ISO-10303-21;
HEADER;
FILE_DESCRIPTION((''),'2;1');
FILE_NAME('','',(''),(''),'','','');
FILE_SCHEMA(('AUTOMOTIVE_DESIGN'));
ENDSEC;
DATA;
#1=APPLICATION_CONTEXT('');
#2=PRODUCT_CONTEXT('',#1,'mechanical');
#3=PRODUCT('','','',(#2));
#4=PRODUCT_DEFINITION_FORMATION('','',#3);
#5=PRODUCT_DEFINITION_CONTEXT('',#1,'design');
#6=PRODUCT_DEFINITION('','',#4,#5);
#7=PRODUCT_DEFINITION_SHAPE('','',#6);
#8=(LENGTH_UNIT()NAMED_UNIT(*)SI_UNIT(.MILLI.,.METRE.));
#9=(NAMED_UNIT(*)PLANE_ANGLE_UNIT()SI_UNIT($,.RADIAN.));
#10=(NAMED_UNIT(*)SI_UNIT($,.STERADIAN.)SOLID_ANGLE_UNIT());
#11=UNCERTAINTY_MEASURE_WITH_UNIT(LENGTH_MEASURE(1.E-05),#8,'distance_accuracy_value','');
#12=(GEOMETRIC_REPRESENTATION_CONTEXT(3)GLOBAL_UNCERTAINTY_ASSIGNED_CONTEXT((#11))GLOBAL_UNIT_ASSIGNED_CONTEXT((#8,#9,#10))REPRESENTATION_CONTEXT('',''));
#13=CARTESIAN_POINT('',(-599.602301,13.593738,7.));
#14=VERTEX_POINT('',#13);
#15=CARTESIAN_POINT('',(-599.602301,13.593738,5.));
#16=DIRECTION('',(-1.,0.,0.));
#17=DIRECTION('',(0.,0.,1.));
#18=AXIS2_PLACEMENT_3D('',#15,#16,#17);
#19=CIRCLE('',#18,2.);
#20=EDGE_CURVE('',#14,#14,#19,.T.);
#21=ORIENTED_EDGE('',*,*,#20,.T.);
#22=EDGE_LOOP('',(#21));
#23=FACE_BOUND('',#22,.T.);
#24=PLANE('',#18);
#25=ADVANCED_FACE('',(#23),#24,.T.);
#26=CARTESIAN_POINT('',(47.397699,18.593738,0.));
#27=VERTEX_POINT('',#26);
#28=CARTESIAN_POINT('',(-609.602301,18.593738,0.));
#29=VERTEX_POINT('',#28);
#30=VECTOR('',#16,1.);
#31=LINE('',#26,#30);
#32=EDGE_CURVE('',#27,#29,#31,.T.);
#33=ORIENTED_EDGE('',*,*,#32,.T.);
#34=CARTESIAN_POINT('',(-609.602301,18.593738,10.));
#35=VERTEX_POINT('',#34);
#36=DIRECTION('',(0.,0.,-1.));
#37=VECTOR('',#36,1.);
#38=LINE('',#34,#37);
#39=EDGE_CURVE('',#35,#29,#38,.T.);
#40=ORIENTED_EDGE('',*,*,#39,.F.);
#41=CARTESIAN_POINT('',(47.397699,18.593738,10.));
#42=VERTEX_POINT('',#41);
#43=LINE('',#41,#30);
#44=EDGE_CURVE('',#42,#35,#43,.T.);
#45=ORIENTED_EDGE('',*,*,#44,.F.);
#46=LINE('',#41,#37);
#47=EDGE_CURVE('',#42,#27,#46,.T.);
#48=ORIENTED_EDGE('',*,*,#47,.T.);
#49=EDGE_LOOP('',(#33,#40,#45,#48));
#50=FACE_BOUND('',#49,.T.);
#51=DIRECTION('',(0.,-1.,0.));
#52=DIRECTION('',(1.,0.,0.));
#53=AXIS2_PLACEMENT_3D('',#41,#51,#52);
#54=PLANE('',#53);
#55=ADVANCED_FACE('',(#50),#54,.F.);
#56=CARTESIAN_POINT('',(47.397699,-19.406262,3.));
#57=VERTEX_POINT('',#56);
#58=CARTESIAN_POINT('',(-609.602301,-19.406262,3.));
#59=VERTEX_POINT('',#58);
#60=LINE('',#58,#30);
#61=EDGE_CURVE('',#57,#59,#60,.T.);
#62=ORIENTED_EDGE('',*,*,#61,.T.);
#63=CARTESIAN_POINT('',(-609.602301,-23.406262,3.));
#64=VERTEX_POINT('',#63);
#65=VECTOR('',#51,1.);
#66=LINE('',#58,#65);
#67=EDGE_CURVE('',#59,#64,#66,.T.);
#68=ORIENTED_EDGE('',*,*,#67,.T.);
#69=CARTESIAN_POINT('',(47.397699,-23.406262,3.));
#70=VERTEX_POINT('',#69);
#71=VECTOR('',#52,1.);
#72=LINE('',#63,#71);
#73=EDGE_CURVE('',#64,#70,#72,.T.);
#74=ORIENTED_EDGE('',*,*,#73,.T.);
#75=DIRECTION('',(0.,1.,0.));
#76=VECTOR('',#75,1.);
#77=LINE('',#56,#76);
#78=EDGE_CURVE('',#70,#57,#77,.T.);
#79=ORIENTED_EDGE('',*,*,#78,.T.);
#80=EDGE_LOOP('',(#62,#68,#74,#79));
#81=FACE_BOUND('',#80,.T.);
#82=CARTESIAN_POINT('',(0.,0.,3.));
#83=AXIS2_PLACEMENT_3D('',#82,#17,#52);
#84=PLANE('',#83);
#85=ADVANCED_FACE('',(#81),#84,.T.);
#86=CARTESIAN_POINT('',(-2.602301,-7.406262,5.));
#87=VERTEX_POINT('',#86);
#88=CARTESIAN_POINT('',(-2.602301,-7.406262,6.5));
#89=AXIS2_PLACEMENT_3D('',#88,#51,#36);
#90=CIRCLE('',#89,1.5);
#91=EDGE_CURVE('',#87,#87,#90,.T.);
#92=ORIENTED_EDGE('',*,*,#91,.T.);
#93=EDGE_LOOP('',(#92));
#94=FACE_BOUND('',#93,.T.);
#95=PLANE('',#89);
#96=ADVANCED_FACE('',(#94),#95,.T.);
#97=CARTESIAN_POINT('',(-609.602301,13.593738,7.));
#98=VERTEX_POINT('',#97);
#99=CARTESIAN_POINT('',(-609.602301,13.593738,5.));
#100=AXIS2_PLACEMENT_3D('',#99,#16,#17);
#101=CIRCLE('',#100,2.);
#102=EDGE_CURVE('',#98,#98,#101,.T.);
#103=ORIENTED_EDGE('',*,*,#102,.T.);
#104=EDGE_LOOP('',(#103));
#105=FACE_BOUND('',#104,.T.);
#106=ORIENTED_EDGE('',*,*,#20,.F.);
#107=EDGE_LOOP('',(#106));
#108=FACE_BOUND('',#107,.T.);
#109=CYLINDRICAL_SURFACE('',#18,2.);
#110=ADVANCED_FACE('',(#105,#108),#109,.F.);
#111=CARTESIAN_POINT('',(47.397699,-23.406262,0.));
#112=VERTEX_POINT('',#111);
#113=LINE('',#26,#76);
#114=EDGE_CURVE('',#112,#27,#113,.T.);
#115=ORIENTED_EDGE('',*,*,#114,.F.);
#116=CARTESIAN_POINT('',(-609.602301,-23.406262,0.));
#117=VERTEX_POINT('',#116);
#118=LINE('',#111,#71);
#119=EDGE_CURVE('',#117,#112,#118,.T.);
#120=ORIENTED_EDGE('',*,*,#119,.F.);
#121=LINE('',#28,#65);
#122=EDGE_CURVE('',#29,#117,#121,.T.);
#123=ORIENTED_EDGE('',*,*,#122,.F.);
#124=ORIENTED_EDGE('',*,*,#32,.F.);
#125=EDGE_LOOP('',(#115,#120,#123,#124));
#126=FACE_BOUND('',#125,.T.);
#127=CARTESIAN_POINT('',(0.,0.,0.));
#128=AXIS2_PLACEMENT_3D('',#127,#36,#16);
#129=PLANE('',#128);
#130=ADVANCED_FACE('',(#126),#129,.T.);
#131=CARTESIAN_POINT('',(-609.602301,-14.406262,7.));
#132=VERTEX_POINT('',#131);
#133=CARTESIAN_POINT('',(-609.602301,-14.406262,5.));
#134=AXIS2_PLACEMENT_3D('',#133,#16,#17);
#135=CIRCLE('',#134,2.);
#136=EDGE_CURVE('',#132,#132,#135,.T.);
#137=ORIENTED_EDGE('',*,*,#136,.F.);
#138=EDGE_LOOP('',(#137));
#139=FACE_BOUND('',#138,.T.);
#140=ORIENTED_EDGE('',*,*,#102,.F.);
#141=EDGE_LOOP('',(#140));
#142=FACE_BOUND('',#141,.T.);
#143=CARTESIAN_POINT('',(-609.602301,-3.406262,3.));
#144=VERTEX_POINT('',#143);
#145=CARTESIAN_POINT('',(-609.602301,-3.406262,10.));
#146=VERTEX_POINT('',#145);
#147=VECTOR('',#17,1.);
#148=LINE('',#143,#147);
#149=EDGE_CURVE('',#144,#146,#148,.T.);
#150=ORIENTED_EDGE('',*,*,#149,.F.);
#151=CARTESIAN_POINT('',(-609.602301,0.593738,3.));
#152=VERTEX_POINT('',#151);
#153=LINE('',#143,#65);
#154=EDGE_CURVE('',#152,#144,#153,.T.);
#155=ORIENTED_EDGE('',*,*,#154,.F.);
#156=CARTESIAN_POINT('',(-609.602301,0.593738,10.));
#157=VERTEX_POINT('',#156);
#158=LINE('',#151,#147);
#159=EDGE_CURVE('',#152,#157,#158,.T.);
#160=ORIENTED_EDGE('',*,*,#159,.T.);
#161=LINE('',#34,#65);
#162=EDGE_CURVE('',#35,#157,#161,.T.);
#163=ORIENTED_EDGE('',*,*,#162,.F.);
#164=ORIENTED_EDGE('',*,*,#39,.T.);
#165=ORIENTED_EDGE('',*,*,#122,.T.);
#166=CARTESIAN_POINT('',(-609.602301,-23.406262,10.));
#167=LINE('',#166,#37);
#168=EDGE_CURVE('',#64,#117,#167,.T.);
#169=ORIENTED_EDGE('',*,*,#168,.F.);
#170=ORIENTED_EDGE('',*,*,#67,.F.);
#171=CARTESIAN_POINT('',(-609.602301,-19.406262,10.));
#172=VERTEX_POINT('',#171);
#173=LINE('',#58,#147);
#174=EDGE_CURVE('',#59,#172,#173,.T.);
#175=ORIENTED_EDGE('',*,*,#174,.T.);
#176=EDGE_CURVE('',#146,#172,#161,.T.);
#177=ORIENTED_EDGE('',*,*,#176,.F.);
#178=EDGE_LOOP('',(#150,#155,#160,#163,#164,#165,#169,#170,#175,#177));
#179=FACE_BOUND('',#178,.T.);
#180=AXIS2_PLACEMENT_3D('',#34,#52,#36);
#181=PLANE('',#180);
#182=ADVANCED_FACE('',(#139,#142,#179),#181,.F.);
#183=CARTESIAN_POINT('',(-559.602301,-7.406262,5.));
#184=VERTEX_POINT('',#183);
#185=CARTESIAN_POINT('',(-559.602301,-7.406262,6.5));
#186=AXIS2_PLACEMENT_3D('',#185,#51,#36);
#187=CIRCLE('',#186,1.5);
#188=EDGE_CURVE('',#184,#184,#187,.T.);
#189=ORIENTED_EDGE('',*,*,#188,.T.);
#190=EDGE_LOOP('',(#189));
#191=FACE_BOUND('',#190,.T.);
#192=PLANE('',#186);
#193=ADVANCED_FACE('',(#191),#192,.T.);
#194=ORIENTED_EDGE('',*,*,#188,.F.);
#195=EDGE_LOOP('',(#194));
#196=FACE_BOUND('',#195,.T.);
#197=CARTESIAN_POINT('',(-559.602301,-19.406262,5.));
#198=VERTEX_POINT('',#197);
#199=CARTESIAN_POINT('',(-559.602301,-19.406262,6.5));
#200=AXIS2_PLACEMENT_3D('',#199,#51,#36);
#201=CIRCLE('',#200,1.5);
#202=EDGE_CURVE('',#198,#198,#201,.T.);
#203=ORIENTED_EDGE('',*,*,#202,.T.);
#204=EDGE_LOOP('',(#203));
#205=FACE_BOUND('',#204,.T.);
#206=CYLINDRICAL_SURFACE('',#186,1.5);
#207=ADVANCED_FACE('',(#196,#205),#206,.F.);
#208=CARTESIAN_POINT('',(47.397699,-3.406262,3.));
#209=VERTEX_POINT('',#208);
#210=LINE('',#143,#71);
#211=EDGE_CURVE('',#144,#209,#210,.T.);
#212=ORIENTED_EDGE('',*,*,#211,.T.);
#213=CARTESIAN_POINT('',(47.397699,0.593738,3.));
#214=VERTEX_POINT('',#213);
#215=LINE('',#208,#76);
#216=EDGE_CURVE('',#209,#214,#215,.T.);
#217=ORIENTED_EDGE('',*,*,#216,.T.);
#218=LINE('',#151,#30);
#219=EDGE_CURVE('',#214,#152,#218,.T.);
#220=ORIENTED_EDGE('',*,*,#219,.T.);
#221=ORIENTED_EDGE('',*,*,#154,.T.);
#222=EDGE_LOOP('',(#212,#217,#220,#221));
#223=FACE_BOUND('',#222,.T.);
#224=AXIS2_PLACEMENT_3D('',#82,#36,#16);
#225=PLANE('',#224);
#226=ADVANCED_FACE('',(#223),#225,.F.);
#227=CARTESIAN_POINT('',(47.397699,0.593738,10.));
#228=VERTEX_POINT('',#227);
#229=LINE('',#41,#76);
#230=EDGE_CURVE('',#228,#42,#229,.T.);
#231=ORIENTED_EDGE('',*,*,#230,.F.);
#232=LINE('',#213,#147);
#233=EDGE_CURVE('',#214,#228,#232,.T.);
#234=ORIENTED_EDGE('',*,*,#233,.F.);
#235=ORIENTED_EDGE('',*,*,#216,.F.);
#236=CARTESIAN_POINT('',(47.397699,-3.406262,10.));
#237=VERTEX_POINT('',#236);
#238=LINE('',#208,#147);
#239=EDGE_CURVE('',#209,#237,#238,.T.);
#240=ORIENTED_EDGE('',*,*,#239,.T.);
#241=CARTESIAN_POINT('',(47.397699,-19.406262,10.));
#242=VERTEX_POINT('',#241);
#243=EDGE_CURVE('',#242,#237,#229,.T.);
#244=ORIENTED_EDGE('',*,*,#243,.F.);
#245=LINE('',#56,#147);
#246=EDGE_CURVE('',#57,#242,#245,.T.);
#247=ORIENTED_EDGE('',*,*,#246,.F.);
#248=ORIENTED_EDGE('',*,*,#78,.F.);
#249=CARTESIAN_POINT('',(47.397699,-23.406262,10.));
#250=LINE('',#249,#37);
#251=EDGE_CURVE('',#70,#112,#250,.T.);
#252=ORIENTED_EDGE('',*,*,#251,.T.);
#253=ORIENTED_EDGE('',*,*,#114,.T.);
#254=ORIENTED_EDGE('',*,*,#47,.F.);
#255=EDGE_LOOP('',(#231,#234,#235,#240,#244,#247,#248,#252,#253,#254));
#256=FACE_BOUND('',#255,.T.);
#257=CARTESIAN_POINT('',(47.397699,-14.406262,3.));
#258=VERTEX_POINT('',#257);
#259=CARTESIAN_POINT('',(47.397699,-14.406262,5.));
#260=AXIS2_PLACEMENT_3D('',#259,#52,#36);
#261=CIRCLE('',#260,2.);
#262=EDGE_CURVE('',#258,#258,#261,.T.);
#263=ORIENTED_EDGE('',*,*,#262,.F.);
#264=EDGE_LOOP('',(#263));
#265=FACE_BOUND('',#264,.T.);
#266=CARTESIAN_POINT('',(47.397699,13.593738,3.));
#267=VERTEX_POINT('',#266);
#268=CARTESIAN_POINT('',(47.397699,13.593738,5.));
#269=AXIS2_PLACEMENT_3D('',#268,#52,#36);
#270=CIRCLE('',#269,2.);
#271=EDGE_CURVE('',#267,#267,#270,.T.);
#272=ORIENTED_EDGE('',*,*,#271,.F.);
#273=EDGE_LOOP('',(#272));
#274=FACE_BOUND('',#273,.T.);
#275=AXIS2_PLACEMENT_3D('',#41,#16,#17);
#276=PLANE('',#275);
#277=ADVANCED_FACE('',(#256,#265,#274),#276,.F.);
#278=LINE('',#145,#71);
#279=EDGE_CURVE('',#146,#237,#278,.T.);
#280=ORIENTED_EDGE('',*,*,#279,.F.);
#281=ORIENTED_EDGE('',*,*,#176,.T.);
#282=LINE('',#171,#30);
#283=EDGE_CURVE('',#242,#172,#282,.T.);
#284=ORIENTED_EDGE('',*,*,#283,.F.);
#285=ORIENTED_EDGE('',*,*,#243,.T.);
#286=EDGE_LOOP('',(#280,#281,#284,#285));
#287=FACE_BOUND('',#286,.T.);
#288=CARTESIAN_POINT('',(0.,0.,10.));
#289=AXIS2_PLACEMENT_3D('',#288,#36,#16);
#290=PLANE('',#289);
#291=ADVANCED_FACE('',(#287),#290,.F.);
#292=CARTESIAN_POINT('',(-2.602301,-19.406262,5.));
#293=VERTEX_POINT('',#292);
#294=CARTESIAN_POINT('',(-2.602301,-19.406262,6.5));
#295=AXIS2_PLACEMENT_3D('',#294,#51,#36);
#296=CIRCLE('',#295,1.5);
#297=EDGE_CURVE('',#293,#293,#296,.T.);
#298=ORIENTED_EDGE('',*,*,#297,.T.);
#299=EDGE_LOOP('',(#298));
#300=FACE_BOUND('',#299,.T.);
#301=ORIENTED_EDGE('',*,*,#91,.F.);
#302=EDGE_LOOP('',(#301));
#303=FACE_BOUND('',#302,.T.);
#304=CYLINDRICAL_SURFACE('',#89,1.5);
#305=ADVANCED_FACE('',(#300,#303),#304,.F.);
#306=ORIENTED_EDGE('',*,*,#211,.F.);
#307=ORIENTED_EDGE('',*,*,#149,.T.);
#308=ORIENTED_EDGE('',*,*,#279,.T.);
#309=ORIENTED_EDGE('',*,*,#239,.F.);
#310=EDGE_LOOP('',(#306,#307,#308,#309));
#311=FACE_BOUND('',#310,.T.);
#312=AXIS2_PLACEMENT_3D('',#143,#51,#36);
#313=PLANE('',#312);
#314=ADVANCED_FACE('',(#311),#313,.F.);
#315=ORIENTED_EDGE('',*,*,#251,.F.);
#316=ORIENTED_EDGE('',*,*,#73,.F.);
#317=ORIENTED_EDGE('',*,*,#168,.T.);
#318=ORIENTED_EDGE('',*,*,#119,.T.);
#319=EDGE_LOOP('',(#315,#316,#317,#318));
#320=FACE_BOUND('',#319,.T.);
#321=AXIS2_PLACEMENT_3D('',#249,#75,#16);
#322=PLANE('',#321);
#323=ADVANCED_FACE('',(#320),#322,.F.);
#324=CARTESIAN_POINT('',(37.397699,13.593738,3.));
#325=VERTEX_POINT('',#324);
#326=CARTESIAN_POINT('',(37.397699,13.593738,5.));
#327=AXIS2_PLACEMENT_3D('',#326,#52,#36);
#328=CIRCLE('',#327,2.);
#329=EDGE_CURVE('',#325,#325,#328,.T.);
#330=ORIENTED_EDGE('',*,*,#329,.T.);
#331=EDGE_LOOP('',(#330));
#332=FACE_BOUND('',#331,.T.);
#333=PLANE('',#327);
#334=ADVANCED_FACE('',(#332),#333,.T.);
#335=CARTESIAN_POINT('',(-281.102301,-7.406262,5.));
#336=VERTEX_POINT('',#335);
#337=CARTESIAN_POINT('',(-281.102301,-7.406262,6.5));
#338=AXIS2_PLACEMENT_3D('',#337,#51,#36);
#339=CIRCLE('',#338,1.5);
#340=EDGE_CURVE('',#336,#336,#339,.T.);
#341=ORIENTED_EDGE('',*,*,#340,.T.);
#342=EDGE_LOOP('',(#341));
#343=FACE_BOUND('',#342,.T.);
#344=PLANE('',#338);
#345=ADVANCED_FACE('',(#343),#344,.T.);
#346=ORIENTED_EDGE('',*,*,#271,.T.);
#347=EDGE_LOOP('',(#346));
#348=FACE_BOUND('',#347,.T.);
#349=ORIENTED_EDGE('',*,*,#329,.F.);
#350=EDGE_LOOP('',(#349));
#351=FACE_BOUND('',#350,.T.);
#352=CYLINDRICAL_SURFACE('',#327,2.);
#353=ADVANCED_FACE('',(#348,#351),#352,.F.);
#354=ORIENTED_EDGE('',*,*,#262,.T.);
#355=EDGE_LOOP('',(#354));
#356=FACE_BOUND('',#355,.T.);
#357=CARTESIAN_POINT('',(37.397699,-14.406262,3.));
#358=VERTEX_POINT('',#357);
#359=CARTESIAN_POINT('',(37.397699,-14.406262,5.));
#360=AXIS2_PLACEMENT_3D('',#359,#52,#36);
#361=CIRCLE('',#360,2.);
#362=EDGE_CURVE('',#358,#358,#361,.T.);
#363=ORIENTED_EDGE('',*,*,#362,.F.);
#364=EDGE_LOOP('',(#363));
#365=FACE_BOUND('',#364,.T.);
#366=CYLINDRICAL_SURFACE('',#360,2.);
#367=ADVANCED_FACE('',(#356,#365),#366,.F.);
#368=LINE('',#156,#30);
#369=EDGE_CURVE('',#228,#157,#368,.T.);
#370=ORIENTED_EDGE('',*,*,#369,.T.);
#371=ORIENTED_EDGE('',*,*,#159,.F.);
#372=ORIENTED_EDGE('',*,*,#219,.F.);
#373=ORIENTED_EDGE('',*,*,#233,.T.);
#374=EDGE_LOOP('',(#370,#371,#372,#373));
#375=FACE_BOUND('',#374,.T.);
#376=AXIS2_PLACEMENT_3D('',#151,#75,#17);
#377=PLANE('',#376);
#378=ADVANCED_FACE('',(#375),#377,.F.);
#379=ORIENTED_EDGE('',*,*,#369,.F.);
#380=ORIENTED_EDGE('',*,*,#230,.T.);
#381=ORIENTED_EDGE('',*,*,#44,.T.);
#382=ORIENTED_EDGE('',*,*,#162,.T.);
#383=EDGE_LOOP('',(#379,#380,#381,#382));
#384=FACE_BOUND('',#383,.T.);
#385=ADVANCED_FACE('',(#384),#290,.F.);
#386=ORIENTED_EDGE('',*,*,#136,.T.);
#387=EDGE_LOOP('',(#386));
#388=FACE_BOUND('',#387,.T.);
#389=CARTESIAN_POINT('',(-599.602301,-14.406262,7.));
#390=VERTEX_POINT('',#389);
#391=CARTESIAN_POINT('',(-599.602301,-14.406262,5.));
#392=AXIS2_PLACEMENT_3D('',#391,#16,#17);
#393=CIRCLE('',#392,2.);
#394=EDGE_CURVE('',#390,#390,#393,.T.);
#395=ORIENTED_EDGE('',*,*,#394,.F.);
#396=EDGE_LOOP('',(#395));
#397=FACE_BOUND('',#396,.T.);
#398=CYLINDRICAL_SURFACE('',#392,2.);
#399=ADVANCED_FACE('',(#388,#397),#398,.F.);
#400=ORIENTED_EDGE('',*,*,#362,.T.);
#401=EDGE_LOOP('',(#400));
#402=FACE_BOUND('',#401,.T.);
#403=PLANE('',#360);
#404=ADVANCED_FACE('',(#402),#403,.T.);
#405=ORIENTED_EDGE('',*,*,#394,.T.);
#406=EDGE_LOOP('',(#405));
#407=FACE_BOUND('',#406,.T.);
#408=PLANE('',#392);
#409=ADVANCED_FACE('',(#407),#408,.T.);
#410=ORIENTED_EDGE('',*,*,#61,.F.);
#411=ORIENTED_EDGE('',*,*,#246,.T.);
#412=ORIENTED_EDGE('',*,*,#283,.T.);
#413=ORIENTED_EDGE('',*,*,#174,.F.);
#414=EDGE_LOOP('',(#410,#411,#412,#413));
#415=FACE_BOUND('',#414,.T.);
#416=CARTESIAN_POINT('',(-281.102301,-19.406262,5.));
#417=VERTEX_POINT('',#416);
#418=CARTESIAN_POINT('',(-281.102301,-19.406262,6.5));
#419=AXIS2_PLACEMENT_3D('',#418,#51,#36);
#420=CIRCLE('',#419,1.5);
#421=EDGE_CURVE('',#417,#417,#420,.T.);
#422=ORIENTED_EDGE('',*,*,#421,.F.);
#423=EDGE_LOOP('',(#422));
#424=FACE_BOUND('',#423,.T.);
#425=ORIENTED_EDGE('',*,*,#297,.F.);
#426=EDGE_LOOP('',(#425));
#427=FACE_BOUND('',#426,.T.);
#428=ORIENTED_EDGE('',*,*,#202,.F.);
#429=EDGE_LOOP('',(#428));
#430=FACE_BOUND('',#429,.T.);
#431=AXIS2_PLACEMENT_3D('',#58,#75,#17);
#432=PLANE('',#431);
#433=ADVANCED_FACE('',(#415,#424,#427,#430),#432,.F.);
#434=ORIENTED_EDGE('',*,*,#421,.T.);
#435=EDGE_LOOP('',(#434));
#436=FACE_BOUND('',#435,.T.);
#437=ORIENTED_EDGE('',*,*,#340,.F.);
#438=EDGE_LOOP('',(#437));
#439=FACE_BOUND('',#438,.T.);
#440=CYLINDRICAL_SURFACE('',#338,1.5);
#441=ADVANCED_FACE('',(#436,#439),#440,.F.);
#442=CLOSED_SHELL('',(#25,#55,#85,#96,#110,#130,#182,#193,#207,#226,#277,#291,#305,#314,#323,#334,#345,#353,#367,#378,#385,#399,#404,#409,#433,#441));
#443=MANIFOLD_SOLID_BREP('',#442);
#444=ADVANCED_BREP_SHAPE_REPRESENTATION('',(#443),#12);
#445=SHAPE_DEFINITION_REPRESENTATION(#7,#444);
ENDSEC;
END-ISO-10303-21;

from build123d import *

# Parameters (mm, degrees)
SKETCH1_W           = 657
SKETCH1_H           = 42
BOSS_EXTRUDE1_DEPTH = 10
SKETCH2_W           = 657
SKETCH2_H           = 4
CUT_EXTRUDE1_DEPTH  = 7
SKETCH3_R           = 2
CUT_EXTRUDE2_DEPTH  = 10
CUT_EXTRUDE3_START  = -10
SKETCH4_R           = 2
CUT_EXTRUDE3_DEPTH  = 10
SKETCH5_R           = 1.5
CUT_EXTRUDE4_DEPTH  = 12


with BuildPart() as part:
    # Sketch1 → Boss-Extrude1 (new body)
    with BuildSketch(Plane.XY):
        with Locations((-281.102301223, -2.406262021)):
            Rectangle(SKETCH1_W, SKETCH1_H)
    extrude(amount=BOSS_EXTRUDE1_DEPTH)

    # Sketch2 → Cut-Extrude1 (cut)
    with BuildSketch(Plane.XY.offset(10)):
        with Locations((-281.102301223, -21.406262021)):
            Rectangle(SKETCH2_W, SKETCH2_H)
        with Locations((-281.102301223, -1.406262021)):
            Rectangle(SKETCH2_W, SKETCH2_H)
    extrude(amount=-CUT_EXTRUDE1_DEPTH, mode=Mode.SUBTRACT)

    # Sketch3 → Cut-Extrude2 (cut)
    with BuildSketch(Plane.ZY.offset(609.602301223)):
        with Locations((5, 13.593737979)):
            Circle(SKETCH3_R)
        with Locations((5, -14.406262021)):
            Circle(SKETCH3_R)
    extrude(amount=-CUT_EXTRUDE2_DEPTH, mode=Mode.SUBTRACT)

    # Sketch4 → Cut-Extrude3 (cut)
    with BuildSketch(Plane(origin=(47.397698777, 0, 0), x_dir=(0, 0, -1), z_dir=(1, 0, 0)).offset(CUT_EXTRUDE3_START)):
        with Locations(Location((-5, 13.593737979, 0), (0, 0, 180))):
            Circle(SKETCH4_R)
        with Locations(Location((-5, -14.406262021, 0), (0, 0, 180))):
            Circle(SKETCH4_R)
    extrude(amount=CUT_EXTRUDE3_DEPTH, mode=Mode.SUBTRACT)

    # Sketch5 → Cut-Extrude4 (cut)
    with BuildSketch(Plane(origin=(0, -19.406262021, 0), x_dir=(-1, 0, 0), z_dir=(0, -1, 0))):
        with Locations(Location((559.602301223, -6.5, 0), (0, 0, 90))):
            Circle(SKETCH5_R)
        with Locations(Location((281.102301223, -6.5, 0), (0, 0, 90))):
            Circle(SKETCH5_R)
        with Locations(Location((2.602301223, -6.5, 0), (0, 0, 90))):
            Circle(SKETCH5_R)
    extrude(amount=-CUT_EXTRUDE4_DEPTH, mode=Mode.SUBTRACT)


solid = part.part
